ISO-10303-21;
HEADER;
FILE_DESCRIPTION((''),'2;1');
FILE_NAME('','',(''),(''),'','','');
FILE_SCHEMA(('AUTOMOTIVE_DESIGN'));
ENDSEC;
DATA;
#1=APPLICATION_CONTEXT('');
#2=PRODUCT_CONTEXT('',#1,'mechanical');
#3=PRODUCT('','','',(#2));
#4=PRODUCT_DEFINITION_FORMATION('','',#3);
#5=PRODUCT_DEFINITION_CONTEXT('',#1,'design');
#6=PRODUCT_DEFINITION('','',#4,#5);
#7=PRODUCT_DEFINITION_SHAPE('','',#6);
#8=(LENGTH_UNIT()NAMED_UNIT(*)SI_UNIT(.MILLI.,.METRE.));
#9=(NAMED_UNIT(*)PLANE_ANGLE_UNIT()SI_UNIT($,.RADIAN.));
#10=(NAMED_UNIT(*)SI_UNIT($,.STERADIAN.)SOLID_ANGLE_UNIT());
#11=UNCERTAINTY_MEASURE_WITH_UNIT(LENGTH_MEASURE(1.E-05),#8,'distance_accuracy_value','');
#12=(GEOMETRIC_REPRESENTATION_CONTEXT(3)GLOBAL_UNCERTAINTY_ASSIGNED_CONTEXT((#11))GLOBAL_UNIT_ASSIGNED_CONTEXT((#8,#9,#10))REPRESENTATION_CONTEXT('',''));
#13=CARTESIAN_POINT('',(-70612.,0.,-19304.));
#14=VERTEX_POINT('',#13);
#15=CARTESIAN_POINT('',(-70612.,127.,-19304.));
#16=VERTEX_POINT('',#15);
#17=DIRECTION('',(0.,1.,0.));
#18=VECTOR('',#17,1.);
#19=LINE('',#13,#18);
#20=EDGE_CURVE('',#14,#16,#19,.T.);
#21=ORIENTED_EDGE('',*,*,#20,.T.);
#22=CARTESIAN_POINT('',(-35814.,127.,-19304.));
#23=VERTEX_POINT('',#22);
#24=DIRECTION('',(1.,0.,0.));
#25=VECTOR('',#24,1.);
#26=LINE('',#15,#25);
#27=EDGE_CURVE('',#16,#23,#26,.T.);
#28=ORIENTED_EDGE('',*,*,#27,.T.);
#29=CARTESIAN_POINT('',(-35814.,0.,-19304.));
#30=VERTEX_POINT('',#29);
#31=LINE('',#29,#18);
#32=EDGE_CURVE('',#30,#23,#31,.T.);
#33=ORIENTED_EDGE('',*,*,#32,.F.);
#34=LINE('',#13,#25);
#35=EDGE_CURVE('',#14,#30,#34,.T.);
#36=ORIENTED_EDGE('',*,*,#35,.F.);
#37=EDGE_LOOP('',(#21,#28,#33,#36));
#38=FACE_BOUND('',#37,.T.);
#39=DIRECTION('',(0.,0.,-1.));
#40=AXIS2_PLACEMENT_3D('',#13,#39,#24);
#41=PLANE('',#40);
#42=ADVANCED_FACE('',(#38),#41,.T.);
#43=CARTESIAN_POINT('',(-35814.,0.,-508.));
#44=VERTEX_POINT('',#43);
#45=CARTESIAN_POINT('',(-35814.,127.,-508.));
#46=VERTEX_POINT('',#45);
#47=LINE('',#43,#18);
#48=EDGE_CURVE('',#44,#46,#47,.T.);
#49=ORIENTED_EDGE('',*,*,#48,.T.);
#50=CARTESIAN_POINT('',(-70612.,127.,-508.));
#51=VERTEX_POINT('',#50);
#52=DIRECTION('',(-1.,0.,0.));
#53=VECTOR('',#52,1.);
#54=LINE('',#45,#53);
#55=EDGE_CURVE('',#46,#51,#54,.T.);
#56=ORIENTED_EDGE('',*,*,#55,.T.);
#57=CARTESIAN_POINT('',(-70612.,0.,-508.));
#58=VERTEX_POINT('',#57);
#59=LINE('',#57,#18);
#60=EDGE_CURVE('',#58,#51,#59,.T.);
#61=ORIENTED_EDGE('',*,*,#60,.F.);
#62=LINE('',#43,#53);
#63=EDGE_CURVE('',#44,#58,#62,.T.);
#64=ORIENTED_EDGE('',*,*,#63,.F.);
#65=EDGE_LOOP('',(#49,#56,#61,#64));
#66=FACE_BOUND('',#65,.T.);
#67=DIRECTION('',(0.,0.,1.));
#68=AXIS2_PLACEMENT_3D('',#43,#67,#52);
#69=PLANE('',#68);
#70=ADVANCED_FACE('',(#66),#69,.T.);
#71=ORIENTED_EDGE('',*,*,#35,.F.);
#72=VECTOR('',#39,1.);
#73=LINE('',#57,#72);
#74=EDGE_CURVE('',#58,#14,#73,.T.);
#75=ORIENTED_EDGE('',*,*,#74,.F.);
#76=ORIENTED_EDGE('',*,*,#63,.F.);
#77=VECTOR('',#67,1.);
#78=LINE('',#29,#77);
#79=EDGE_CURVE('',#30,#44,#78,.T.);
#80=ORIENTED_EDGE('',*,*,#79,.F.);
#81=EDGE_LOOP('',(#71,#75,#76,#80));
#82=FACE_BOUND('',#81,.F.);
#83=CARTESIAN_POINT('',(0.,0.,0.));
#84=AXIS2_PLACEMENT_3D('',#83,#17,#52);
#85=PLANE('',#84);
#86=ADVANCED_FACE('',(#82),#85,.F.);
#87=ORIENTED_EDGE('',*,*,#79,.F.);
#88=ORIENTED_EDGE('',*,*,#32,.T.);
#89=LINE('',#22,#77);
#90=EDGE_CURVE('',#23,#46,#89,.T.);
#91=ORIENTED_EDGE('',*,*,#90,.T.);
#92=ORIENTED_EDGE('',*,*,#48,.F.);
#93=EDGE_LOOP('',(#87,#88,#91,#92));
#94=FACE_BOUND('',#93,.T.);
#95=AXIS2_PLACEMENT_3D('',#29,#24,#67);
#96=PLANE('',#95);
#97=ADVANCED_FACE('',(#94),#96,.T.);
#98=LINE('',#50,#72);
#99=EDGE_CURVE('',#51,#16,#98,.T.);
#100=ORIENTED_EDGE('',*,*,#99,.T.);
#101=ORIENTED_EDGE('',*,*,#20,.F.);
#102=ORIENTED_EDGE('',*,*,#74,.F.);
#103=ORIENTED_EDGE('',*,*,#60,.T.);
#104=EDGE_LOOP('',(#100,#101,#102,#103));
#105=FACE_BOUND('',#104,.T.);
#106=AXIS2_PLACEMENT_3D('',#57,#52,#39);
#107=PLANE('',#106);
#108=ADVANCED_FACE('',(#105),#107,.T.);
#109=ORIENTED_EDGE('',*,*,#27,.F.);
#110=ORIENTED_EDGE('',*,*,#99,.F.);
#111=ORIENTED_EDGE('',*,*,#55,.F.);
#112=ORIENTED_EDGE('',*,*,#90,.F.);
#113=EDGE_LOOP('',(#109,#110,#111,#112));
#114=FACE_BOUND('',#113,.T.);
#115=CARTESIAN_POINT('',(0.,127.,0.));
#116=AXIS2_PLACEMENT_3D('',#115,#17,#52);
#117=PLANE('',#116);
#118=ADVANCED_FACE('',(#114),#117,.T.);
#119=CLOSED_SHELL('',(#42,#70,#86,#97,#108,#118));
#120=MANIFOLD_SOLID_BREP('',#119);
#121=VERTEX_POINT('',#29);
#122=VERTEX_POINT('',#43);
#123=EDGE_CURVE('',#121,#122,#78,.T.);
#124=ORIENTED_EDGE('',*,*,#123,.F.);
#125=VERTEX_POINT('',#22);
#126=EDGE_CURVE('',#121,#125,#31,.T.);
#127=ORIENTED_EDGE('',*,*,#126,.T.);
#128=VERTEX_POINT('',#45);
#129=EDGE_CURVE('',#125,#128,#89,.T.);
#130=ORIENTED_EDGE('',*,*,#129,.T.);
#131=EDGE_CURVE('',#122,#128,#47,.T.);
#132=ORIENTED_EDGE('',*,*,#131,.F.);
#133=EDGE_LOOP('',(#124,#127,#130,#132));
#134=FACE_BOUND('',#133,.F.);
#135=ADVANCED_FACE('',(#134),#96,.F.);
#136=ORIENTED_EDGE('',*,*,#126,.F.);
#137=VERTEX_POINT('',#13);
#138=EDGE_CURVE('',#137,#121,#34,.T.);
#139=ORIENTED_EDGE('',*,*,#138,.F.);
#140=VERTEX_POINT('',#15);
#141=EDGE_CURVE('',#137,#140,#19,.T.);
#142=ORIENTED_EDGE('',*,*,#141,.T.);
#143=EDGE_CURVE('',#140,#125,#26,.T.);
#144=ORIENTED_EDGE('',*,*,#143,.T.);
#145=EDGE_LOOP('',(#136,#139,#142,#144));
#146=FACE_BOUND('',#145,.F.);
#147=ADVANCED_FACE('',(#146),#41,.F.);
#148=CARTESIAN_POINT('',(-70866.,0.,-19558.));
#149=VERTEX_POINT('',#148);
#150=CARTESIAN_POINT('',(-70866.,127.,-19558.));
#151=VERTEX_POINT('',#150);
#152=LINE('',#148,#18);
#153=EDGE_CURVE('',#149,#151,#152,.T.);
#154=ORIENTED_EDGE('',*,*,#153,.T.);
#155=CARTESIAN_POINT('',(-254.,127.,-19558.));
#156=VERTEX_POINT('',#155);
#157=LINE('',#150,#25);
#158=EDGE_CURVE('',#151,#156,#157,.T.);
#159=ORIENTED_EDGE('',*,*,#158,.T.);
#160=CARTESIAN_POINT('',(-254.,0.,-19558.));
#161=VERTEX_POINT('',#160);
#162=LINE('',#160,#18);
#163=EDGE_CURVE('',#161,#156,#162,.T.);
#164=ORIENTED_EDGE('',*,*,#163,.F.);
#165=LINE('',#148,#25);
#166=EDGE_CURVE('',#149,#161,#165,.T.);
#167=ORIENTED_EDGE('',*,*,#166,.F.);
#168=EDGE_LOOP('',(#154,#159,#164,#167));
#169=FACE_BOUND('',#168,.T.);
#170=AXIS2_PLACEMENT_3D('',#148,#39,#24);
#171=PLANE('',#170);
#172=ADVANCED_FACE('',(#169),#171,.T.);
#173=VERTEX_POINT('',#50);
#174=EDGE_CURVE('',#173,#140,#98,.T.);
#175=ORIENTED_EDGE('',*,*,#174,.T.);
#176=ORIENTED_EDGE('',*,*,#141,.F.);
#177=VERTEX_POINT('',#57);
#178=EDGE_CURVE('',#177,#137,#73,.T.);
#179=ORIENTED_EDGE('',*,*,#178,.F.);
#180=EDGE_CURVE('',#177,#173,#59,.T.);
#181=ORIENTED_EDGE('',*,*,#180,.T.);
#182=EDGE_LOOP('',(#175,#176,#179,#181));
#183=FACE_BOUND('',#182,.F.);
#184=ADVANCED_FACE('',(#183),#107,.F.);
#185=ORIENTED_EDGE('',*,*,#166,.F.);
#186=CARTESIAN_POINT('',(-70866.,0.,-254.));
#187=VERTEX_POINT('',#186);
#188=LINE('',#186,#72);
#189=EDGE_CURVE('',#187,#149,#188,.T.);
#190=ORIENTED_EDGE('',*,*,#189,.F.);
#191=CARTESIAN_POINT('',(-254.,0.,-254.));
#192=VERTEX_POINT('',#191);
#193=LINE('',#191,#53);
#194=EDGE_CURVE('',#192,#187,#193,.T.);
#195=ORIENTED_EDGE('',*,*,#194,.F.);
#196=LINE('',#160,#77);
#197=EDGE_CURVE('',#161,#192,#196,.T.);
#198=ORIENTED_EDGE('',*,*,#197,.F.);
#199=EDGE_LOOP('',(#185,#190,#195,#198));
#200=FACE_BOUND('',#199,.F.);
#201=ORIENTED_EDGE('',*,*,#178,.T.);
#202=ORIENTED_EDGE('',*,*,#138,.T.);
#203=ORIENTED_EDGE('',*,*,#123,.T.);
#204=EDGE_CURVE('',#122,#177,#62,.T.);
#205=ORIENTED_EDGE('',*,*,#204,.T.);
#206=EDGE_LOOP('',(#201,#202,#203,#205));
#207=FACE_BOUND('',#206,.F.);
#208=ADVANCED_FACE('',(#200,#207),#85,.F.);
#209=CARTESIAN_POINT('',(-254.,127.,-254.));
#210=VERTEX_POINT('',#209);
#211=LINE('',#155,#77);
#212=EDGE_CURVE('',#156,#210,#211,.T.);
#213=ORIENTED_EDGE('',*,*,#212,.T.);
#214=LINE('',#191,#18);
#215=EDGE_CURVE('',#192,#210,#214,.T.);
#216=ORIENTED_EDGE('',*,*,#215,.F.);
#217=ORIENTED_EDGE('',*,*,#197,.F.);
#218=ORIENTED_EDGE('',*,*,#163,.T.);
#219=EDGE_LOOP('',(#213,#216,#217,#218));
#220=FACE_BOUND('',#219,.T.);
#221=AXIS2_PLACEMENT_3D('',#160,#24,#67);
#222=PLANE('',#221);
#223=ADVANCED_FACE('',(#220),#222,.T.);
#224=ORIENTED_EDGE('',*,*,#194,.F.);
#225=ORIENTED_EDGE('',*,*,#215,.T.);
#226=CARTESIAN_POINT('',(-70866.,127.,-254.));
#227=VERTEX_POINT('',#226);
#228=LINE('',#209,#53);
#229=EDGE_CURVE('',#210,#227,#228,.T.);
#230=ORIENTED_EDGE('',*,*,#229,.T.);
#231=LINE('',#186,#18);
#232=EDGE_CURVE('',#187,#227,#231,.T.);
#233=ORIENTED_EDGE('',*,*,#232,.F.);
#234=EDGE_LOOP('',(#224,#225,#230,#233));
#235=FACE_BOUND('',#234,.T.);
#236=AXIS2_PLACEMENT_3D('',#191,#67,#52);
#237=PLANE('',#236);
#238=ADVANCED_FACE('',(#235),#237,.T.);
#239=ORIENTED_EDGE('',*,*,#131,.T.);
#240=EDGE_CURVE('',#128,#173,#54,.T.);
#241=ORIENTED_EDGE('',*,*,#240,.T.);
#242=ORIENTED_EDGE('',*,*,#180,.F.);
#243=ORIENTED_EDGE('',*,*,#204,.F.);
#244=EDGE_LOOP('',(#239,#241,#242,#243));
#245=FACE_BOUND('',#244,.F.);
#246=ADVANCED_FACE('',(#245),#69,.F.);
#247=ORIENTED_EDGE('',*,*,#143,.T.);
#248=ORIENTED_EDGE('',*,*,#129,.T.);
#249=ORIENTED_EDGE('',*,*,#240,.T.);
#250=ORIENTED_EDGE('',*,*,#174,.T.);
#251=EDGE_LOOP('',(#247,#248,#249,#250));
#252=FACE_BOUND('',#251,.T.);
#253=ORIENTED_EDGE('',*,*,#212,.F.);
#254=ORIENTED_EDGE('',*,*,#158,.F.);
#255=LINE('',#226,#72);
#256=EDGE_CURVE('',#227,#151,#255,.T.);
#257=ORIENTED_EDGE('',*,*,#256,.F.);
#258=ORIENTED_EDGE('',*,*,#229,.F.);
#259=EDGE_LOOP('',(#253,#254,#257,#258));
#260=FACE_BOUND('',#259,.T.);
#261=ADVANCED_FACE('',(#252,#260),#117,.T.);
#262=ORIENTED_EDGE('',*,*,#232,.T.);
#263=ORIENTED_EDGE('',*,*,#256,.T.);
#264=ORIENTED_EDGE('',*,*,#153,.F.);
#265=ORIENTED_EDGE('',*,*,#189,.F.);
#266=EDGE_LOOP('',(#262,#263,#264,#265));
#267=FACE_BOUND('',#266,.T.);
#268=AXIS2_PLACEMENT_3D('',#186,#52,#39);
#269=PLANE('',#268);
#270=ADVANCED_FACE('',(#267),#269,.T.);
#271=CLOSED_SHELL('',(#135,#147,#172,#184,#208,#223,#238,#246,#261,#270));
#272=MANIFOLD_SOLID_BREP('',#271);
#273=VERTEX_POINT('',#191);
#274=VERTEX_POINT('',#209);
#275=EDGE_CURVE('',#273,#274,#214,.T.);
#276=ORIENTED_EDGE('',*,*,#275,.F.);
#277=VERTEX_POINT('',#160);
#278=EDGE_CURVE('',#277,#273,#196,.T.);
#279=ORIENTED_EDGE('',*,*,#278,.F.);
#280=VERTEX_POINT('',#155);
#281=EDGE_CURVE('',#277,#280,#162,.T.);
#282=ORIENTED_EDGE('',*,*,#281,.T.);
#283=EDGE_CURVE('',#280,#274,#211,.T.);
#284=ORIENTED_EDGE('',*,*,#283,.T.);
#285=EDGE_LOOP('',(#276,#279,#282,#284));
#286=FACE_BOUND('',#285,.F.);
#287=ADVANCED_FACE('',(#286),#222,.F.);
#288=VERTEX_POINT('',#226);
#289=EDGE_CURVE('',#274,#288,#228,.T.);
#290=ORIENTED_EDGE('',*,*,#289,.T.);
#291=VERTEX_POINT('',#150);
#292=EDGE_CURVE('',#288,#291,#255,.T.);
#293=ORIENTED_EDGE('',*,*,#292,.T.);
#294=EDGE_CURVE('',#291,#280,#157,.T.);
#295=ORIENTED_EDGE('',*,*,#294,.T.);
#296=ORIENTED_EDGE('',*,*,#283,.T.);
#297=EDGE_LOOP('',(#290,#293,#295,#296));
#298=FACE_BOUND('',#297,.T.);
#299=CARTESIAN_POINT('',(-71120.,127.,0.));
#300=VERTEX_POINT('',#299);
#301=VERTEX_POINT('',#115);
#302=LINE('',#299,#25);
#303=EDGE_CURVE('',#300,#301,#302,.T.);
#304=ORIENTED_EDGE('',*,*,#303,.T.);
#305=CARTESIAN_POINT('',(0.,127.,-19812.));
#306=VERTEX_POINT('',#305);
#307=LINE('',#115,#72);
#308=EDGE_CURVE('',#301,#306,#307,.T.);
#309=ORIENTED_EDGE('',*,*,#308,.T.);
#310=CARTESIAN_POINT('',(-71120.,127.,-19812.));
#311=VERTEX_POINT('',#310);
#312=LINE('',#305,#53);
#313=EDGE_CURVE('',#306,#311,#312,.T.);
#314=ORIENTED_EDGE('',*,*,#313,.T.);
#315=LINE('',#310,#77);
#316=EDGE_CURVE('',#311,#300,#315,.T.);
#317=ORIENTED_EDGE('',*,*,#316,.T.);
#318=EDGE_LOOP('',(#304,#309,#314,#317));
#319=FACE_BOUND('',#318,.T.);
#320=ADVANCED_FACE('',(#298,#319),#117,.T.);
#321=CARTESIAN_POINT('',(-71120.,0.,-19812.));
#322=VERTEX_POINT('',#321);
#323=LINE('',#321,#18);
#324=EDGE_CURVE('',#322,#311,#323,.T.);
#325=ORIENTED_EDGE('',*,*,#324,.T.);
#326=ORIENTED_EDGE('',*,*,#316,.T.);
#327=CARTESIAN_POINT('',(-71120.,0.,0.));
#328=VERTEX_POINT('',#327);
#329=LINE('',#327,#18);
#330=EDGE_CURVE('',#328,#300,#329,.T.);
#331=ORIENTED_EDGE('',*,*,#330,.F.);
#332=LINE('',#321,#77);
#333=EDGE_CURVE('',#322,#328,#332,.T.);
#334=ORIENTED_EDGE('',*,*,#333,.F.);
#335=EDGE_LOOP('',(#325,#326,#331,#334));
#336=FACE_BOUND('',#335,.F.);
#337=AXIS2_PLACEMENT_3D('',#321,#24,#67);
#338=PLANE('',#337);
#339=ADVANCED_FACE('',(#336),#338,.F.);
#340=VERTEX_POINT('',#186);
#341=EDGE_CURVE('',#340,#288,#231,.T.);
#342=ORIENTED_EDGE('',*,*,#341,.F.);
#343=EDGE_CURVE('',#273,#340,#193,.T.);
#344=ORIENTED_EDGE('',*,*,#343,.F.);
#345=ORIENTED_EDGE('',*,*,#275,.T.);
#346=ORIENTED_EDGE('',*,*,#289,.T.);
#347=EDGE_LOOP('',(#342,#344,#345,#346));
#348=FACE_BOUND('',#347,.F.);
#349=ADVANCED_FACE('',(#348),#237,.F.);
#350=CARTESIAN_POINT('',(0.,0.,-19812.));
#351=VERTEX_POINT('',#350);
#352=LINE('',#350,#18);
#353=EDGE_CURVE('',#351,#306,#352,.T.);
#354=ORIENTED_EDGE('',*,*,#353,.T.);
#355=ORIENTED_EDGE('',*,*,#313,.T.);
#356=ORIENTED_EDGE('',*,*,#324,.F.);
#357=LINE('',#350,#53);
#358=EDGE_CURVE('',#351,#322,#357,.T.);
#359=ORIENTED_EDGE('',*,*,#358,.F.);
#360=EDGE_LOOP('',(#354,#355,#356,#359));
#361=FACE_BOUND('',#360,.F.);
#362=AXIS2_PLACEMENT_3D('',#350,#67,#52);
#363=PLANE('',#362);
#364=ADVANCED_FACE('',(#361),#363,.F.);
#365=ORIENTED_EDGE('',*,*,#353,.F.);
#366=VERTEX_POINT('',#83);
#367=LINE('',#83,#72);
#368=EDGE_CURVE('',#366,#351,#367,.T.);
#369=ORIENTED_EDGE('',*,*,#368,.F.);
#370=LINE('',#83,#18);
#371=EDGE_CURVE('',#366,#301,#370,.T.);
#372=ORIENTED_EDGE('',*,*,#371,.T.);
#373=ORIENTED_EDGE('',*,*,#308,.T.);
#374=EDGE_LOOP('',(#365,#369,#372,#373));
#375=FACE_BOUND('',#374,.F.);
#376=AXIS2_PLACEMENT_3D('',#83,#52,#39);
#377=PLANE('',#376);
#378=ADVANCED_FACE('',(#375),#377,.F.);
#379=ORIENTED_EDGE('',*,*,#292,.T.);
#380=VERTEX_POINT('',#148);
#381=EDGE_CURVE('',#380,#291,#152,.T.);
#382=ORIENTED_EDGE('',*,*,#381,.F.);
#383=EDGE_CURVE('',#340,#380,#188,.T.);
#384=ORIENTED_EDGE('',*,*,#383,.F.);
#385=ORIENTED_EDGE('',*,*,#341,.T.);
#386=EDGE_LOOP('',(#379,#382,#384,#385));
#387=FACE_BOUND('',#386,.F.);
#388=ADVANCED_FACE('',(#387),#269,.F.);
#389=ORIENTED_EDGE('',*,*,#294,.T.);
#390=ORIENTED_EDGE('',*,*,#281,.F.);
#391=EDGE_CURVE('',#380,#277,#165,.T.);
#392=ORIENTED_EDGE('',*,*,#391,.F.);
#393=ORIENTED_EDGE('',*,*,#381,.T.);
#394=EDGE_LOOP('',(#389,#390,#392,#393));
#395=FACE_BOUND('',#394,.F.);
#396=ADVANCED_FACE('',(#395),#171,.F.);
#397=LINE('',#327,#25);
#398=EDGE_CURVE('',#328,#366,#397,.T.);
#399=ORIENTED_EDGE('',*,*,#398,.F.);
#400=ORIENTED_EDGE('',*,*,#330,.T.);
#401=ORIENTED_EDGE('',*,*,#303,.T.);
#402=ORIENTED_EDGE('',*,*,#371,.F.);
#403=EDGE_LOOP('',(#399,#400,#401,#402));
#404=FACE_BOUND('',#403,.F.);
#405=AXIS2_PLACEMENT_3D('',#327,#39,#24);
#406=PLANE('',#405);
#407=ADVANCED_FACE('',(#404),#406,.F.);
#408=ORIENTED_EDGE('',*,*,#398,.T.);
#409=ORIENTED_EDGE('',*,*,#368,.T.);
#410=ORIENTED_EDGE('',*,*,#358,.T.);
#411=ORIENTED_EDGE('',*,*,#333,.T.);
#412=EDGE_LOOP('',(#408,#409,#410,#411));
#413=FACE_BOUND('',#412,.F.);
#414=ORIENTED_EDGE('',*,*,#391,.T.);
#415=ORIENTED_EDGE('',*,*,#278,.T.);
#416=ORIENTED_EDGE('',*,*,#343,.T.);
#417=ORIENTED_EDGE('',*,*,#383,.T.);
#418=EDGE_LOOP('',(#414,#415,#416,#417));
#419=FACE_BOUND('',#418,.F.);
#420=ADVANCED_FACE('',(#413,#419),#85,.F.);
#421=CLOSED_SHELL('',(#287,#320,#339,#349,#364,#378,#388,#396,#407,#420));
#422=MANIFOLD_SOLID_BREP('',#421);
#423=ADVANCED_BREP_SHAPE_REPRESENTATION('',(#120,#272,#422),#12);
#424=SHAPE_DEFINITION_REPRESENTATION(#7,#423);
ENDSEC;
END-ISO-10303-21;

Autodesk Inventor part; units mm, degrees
ref_plane "YZ Plane" through (0, 0, 0) normal (1, 0, 0) x (0, 1, 0)
ref_plane "XZ Plane" through (0, 0, 0) normal (0, 1, 0) x (-1, 0, 0)
ref_plane "XY Plane" through (0, 0, 0) normal (0, 0, 1) x (1, 0, 0)
sketch "Sketch2" plane through (0, 0, 0) normal (0, 1, 0) x (-1, 0, 0)
  line L0 (0, -19812) -> (71120, -19812)
  line L1 (71120, -19812) -> (71120, 0)
  line L2 (71120, 0) -> (0, 0)
  line L3 (0, 0) -> (0, -19812)
  line L4 (70866, -19558) -> (254, -19558)
  line L5 (254, -19558) -> (254, -254)
  line L6 (254, -254) -> (70866, -254)
  line L7 (70866, -254) -> (70866, -19558)
  line L8 (70612, -19304) -> (35814, -19304)
  line L9 (35814, -19304) -> (35814, -508)
  line L10 (35814, -508) -> (70612, -508)
  line L11 (70612, -508) -> (70612, -19304)
extrude "Extrusion5" add sketch "Sketch2" along normal blind 127 contours L8 L9 L10 L11
extrude "Extrusion6" add sketch "Sketch2" along normal blind 127 separate body contours L4 L5 L6 L7
extrude "Extrusion7" add sketch "Sketch2" along normal blind 127 separate body contours L3 L2 L1 L0
sketch "Sketch3" plane through (0, 127, 0) normal (0, 1, 0) x (1, 0, 0)
  line L0 (-70611.9965, 19304.0005) -> (-35813.9997, 19304.0005) construction
  line L1 (-35813.9997, 19304.0005) -> (-35813.9997, 508.0003) construction
  line L2 (-35813.9997, 508.0003) -> (-70611.9965, 508.0003) construction
  line L3 (-70611.9965, 508.0003) -> (-70611.9965, 19304.0005) construction
  line L4 (-59884.5661, 19644.4587) -> (-25086.5693, 19644.4587) construction
  line L5 (-35100.5062, 19367.5189) -> (-759.9701, 19367.5189) construction
  line L6 (-759.9701, 19367.5189) -> (-759.9701, 812.5507) construction
  line L7 (-759.9701, 812.5507) -> (-35100.5062, 812.5507) construction
  line L8 (-35100.5062, 812.5507) -> (-35100.5062, 19367.5189) construction
  point P0 (0, 0)
sketch "Sketch4" plane through (0, 127, 0) normal (0, 1, 0) x (1, 0, 0)
  line L0 (-71188.0311, 20022.5548) -> (-35706.4205, 20022.5548) construction
  line L1 (-35706.4205, 20022.5548) -> (-35706.4205, 258.2634) construction
  line L2 (-35706.4205, 258.2634) -> (-71188.0311, 258.2634) construction
  line L3 (-71188.0311, 258.2634) -> (-71188.0311, 20022.5548) construction
  point P0 (0, 0)
properties part number "banner"
